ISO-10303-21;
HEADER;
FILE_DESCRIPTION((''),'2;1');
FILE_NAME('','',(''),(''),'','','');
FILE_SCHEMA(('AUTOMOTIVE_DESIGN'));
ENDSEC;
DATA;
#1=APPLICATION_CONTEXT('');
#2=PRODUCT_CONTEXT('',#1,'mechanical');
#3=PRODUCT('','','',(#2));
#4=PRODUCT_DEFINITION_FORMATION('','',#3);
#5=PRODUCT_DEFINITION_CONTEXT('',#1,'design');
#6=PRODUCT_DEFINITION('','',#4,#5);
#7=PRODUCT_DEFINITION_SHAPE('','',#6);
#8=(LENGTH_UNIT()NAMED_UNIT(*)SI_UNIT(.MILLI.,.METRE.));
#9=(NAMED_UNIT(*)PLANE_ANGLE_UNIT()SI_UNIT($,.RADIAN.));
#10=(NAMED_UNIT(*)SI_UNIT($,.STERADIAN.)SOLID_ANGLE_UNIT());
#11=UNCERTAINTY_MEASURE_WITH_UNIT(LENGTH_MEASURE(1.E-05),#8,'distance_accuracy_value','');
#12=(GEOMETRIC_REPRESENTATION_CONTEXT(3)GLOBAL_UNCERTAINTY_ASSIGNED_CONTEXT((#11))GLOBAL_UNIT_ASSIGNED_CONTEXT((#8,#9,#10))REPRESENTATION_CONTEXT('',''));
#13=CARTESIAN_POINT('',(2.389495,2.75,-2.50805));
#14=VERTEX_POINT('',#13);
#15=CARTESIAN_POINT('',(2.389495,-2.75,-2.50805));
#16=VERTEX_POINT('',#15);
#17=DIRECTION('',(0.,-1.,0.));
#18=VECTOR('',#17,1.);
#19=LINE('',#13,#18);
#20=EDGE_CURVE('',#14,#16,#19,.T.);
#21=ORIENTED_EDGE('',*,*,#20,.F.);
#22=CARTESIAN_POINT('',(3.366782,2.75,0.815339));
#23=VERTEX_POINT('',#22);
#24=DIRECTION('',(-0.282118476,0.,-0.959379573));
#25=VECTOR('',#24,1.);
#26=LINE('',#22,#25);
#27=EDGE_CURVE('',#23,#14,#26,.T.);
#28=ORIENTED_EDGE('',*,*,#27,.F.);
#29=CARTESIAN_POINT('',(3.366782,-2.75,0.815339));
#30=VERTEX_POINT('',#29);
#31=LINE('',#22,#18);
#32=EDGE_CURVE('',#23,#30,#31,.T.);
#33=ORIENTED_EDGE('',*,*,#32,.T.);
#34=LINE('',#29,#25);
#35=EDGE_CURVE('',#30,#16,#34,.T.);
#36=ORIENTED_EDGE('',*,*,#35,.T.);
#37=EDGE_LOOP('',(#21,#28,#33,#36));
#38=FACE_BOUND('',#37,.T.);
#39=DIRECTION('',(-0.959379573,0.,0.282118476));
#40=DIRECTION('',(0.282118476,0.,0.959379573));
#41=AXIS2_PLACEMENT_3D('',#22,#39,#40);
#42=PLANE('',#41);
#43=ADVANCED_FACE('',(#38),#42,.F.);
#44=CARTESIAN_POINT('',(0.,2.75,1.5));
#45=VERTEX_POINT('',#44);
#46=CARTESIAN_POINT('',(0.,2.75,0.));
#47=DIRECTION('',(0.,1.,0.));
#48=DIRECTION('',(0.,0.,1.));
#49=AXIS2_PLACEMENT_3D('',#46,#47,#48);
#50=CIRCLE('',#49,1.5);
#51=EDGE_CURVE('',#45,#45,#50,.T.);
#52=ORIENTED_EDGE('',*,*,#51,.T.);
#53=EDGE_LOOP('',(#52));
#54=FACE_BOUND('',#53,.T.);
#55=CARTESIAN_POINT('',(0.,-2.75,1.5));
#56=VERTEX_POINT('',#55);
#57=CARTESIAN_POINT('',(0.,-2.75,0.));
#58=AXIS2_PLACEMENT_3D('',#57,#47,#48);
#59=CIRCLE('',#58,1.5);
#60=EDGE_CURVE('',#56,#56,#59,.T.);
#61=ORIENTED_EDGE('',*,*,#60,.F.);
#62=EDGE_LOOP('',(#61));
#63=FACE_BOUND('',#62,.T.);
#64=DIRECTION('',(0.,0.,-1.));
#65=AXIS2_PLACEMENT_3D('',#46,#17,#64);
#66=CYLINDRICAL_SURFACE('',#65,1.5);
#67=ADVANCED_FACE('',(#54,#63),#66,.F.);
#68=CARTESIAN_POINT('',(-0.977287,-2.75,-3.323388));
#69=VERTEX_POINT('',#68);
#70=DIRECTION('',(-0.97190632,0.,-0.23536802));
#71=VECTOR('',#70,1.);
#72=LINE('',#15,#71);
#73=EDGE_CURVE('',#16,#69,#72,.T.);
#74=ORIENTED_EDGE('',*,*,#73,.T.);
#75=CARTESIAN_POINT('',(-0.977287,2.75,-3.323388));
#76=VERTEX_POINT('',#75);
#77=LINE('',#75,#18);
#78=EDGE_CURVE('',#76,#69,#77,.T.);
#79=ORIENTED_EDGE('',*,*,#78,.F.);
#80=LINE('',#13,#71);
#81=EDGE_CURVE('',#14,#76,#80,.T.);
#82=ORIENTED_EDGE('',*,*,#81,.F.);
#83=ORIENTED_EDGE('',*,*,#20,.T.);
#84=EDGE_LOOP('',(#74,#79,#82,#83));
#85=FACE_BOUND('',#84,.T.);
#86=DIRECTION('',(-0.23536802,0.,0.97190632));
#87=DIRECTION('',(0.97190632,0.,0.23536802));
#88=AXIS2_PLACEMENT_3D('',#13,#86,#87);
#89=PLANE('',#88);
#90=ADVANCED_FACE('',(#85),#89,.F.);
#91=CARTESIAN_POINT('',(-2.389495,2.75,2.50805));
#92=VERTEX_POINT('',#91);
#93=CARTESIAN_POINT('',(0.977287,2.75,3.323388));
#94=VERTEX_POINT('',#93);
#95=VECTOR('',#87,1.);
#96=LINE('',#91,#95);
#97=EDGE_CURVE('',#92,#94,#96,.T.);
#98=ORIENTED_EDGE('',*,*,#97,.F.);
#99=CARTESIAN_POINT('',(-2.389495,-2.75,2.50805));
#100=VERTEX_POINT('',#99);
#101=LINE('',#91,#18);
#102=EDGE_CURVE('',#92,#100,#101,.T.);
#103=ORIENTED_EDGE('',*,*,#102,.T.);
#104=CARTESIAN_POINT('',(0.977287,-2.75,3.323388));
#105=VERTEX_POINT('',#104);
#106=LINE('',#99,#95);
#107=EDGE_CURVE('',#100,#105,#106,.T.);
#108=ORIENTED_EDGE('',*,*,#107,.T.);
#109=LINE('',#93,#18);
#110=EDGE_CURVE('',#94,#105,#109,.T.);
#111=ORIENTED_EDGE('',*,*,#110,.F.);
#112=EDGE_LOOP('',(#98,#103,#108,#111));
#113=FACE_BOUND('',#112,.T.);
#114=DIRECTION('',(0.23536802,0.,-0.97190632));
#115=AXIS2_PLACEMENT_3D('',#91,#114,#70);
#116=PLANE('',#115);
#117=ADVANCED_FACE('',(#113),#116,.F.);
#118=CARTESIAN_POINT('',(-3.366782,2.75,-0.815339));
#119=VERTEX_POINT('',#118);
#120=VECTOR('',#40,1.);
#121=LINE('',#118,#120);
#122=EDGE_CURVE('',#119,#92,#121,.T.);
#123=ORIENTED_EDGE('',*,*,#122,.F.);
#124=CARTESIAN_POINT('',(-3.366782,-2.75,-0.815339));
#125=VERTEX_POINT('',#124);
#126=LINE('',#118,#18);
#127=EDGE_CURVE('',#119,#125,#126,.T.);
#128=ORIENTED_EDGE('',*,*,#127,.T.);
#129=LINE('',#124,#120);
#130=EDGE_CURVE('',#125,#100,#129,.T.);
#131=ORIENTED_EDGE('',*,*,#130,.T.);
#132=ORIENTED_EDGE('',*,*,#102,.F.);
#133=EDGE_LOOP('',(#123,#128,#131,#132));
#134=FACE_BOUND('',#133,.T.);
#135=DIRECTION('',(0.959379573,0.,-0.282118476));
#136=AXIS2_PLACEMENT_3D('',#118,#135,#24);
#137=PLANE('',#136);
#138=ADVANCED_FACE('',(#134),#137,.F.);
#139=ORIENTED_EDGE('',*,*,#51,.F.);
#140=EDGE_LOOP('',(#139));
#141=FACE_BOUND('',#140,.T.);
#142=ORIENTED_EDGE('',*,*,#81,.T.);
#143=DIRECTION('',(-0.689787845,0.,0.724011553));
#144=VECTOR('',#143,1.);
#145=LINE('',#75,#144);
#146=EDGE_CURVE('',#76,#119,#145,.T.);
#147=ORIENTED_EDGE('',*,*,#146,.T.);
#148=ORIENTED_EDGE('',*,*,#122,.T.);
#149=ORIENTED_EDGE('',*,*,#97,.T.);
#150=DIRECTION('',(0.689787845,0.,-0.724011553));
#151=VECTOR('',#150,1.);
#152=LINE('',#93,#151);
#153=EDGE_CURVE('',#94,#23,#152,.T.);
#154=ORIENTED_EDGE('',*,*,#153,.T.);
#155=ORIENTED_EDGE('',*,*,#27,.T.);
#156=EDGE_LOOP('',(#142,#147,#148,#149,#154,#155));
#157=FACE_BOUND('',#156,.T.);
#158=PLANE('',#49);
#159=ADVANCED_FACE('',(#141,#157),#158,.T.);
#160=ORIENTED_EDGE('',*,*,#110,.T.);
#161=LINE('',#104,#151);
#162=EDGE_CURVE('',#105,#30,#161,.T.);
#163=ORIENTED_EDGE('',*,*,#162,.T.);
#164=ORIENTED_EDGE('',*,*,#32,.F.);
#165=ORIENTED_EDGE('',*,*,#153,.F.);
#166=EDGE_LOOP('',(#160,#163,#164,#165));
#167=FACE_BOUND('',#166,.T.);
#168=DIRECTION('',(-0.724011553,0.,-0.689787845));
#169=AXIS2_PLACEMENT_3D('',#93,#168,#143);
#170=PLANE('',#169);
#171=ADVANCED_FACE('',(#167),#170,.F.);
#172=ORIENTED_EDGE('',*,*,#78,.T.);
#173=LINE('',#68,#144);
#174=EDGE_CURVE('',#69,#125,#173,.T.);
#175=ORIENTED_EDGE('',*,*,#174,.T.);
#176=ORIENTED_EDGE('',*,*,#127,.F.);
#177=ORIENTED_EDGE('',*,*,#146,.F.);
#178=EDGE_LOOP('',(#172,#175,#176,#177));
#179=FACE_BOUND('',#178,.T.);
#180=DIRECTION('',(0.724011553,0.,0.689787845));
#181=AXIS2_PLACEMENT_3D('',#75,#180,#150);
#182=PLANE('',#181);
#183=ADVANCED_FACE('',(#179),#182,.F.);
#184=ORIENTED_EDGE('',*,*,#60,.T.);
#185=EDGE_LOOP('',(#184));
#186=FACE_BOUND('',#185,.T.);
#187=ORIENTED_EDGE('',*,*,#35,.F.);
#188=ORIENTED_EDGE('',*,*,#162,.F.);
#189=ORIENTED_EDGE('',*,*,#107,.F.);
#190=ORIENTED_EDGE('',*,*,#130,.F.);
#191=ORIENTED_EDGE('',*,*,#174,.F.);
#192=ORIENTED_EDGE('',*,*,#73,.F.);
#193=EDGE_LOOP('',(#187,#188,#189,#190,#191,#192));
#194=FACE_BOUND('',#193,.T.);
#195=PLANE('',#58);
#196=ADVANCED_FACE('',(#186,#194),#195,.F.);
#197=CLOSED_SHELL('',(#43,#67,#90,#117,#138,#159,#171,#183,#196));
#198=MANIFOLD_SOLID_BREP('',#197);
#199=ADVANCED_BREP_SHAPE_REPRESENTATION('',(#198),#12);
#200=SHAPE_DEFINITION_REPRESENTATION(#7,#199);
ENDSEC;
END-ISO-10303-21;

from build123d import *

# Parameters (mm, degrees)
SKETCH1_R           = 1.5
BOSS_EXTRUDE1_DEPTH = 2.75


with BuildPart() as part:
    # Sketch1 → Boss-Extrude1 (new, symmetric)
    with BuildSketch(Plane(origin=(0, 0, 0), x_dir=(1, 0, 0), z_dir=(0, 1, 0))):
        Polygon((0.977287067, -3.32338833), (3.366782253, -0.815338738), (2.389495187, 2.508049591), (-0.977287067, 3.32338833), (-3.366782253, 0.815338738), (-2.389495187, -2.508049591), align=None)
        with Locations(Location((0, 0, 0), (0, 0, 270))):
            Circle(SKETCH1_R, mode=Mode.SUBTRACT)
    extrude(amount=BOSS_EXTRUDE1_DEPTH, both=True)


solid = part.part
